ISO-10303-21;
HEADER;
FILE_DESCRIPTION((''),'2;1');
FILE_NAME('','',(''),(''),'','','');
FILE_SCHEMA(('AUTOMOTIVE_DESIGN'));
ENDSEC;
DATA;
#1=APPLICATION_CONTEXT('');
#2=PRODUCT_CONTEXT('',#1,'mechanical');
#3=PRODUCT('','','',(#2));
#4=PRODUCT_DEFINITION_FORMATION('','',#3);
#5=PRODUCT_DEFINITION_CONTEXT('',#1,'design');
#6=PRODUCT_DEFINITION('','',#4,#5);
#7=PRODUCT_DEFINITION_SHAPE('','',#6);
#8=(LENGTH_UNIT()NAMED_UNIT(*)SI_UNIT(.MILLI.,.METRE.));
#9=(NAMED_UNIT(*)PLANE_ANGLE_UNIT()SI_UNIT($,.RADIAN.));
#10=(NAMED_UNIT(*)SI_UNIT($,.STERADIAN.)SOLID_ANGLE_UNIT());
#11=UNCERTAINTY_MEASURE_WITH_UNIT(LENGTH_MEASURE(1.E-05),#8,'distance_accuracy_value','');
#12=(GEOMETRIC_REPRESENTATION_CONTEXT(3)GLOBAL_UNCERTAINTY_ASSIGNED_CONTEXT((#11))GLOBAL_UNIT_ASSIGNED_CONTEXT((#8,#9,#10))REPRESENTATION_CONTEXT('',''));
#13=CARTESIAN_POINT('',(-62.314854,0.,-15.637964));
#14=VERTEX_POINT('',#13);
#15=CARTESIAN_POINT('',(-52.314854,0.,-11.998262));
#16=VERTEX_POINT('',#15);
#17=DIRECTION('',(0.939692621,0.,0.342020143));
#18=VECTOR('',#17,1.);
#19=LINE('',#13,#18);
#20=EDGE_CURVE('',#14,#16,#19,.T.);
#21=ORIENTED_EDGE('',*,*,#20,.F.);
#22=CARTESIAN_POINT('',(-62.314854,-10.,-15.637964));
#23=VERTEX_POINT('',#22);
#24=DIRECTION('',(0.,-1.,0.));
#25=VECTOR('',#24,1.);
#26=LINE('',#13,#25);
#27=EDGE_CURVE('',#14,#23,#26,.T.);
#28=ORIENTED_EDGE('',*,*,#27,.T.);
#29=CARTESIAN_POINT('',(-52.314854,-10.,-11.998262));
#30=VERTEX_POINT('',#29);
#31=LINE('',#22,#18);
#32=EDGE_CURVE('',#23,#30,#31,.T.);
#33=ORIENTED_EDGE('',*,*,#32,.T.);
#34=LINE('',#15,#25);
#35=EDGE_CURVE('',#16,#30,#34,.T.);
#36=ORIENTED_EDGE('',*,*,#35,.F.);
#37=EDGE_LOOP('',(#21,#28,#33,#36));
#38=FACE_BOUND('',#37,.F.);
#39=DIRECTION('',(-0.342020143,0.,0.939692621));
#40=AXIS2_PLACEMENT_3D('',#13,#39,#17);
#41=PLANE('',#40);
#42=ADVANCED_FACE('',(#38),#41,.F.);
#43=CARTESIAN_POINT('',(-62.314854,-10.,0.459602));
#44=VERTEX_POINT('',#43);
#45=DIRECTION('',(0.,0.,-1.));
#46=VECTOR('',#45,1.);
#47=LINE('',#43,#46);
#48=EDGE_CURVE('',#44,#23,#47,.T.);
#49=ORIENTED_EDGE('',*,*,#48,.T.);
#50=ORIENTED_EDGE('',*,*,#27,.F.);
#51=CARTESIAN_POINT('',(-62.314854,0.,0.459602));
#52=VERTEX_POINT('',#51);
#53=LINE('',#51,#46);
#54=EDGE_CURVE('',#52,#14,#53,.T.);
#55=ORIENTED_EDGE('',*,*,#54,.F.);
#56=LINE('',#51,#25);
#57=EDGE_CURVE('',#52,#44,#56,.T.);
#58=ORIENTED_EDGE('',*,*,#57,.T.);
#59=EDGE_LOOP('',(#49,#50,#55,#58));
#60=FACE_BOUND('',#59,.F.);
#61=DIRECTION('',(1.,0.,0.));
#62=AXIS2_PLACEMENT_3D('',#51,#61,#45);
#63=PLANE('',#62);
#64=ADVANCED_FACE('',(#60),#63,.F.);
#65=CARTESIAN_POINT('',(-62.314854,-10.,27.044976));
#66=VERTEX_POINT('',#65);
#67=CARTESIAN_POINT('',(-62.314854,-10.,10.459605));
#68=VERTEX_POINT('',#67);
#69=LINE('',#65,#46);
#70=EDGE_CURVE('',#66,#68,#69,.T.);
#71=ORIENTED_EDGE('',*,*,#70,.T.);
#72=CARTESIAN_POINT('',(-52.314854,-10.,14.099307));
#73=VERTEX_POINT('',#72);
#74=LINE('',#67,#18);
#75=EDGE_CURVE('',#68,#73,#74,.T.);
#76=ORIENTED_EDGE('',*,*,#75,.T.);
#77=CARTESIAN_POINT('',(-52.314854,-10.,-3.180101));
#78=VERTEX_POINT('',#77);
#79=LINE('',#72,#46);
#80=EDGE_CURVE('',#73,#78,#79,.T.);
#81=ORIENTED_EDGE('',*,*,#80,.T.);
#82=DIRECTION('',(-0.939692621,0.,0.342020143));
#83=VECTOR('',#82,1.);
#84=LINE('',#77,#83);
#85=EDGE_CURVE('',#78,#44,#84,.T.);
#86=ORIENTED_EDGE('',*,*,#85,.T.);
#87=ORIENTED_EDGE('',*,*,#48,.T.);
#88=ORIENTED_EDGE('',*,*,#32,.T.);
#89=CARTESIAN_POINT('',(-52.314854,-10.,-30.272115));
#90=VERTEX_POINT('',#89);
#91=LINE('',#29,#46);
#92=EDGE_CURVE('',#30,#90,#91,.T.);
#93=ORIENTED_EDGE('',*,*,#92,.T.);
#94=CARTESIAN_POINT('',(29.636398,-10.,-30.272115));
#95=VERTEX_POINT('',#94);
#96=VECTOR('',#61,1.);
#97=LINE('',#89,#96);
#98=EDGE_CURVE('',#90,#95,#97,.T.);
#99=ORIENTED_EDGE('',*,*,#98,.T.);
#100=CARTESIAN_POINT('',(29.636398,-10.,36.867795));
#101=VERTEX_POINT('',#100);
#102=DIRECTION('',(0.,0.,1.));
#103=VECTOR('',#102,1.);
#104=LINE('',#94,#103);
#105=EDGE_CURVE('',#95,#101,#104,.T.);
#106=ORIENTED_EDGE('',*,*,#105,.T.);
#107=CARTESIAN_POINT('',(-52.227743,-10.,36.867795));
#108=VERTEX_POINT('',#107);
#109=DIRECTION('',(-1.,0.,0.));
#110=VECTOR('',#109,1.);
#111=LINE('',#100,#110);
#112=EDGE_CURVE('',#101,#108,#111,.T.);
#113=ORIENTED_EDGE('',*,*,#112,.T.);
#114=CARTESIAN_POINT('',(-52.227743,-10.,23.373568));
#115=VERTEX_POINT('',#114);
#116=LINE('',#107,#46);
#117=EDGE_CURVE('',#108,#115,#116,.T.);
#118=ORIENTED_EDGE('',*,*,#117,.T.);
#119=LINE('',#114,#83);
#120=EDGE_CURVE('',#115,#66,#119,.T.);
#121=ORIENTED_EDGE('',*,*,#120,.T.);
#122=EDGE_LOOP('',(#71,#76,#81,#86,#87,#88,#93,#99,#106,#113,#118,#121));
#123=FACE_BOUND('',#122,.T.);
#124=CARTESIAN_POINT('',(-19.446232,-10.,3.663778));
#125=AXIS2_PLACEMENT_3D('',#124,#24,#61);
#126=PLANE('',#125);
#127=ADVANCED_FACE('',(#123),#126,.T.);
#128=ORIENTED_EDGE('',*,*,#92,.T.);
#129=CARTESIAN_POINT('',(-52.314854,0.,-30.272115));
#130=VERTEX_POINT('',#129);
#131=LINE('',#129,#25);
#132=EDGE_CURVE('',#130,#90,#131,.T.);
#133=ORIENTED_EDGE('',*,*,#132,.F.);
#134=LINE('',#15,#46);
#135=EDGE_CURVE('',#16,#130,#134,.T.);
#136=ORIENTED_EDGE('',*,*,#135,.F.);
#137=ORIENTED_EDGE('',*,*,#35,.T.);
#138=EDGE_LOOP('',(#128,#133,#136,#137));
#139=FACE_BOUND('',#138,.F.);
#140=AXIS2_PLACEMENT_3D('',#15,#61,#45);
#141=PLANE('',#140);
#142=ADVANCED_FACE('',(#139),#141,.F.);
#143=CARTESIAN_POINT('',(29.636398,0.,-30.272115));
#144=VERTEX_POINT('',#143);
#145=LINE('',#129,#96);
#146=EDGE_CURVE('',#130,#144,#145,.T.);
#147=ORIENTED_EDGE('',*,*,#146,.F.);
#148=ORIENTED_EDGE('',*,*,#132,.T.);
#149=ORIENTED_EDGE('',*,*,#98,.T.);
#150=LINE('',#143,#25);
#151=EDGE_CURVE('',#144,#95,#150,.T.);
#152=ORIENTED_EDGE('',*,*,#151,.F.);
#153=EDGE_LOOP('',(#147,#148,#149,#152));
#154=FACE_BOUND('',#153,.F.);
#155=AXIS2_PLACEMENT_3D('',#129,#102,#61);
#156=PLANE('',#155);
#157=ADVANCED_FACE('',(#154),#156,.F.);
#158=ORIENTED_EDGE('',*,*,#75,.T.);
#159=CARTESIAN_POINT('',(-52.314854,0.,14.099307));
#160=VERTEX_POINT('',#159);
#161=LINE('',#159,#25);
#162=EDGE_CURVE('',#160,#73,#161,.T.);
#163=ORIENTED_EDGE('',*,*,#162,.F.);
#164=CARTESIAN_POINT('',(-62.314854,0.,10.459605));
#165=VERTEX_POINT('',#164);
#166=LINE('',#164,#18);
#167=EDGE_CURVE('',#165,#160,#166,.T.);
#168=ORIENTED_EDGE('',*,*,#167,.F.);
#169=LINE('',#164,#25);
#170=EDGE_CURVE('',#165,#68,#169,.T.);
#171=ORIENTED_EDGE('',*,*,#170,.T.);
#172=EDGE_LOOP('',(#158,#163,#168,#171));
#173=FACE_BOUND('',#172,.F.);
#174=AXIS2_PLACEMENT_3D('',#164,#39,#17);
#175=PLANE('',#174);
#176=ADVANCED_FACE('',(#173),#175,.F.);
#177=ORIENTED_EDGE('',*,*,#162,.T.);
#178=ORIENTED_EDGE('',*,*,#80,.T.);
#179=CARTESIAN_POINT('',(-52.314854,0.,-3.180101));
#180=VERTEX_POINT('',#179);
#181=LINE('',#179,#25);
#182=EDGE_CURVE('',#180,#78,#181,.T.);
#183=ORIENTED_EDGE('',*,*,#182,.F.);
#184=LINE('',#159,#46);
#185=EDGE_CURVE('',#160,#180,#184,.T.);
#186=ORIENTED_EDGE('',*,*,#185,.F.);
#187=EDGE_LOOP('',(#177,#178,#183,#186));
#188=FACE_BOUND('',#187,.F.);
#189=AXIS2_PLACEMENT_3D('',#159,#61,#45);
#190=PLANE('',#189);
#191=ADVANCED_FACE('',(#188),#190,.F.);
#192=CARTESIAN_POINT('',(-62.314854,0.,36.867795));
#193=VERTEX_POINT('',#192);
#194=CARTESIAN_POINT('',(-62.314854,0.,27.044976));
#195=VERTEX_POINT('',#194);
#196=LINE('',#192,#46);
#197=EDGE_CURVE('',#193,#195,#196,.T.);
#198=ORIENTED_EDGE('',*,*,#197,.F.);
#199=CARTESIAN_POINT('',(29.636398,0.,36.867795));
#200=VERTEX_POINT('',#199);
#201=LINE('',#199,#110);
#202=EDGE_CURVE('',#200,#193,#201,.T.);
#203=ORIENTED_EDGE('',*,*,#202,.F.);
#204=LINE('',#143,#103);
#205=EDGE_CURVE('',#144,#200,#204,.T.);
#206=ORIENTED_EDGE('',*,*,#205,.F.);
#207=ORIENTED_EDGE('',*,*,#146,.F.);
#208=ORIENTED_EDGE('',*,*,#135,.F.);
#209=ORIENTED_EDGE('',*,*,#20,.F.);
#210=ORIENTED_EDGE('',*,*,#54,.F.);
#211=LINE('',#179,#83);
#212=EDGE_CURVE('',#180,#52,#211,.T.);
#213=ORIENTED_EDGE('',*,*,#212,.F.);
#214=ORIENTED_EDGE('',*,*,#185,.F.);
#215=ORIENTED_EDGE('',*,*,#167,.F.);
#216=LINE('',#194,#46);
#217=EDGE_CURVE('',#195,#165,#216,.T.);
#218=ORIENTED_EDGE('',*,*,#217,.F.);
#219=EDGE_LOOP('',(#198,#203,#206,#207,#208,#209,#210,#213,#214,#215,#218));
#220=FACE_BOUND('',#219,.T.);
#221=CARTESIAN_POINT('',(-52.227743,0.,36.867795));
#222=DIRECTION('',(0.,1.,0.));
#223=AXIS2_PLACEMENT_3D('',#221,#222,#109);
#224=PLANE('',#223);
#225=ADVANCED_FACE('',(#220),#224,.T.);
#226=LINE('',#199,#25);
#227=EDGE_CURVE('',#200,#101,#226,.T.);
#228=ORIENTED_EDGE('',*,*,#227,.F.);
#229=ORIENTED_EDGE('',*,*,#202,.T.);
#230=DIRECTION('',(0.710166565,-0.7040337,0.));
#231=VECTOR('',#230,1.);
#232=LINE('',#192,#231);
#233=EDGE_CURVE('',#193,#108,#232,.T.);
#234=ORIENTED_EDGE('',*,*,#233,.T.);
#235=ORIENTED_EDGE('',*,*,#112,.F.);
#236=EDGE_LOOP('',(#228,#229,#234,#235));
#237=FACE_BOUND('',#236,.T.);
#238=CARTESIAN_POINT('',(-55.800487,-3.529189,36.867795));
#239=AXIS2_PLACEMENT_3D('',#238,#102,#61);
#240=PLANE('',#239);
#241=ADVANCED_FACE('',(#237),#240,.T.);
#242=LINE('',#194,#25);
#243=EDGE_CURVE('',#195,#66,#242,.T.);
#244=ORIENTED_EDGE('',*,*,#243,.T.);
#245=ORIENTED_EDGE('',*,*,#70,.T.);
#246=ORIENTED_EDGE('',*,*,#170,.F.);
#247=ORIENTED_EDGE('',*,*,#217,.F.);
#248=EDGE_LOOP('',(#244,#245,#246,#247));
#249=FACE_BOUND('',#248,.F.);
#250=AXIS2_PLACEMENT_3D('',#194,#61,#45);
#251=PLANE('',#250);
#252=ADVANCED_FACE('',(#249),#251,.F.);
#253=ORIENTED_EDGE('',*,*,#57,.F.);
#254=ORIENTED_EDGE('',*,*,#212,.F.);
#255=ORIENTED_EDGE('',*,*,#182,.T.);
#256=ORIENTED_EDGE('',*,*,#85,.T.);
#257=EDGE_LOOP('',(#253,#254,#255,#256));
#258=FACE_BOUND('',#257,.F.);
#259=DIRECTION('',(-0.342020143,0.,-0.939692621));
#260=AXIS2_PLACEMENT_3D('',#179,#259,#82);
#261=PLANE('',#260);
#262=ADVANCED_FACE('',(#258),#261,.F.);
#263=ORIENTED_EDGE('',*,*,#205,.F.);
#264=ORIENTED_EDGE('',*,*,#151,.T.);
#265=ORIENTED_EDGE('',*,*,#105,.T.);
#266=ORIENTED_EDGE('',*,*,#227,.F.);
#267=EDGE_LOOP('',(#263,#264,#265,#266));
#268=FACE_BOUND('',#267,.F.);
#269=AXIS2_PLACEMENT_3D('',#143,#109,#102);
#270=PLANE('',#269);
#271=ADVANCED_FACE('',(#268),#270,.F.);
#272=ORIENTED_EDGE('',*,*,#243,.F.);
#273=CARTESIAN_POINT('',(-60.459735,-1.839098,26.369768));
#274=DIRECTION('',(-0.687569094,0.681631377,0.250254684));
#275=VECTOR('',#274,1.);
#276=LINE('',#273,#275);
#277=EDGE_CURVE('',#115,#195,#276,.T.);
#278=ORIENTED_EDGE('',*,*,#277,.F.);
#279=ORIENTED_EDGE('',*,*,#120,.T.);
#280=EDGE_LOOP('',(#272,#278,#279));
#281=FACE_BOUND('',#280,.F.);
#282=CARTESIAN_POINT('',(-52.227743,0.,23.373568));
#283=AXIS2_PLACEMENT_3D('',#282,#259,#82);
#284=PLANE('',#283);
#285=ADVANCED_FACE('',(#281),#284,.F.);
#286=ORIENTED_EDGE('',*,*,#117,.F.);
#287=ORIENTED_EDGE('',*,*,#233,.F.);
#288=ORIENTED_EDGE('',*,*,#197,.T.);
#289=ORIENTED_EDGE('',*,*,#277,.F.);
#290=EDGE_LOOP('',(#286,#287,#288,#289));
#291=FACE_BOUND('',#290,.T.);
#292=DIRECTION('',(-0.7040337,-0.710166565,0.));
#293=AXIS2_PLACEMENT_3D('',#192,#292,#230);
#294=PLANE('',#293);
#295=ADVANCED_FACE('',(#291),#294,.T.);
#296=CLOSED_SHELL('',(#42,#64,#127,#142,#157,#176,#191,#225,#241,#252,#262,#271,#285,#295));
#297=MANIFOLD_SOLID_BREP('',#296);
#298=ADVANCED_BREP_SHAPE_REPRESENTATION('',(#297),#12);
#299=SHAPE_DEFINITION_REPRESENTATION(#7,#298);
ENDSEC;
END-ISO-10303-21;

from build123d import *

# Parameters (mm, degrees)
F1_DEPTH = 10


with BuildPart() as f1:
    # F0 (on Front) → F1 (new body)
    with BuildSketch(Plane.XZ):
        Polygon((29.636398112, 36.8677949456), (-52.2277431715, 36.8677949456), (-52.2277431715, 23.3735684186), (-62.3148535555, 27.0449763481), (-62.3148535555, 10.4596049677), (-52.3148535555, 14.0993073104), (-52.3148535555, -3.1801008082), (-62.3148535555, 0.4596015345), (-62.3148535555, -15.6379641769), (-52.3148535555, -11.9982618343), (-52.3148535555, -30.2721151705), (29.636398112, -30.2721151705), align=None)
    extrude(amount=F1_DEPTH)

    # F2 (on face) → F4 (join, up to the next surface of F1)
    with BuildSketch(Plane.XY.offset(36.8677949456)):
        Polygon((-52.2277431715, -10), (-52.2277431715, 0), (-62.3148535555, 0), align=None)
    extrude(until=Until.NEXT, dir=(0, 0, -1))


solid = f1.part
